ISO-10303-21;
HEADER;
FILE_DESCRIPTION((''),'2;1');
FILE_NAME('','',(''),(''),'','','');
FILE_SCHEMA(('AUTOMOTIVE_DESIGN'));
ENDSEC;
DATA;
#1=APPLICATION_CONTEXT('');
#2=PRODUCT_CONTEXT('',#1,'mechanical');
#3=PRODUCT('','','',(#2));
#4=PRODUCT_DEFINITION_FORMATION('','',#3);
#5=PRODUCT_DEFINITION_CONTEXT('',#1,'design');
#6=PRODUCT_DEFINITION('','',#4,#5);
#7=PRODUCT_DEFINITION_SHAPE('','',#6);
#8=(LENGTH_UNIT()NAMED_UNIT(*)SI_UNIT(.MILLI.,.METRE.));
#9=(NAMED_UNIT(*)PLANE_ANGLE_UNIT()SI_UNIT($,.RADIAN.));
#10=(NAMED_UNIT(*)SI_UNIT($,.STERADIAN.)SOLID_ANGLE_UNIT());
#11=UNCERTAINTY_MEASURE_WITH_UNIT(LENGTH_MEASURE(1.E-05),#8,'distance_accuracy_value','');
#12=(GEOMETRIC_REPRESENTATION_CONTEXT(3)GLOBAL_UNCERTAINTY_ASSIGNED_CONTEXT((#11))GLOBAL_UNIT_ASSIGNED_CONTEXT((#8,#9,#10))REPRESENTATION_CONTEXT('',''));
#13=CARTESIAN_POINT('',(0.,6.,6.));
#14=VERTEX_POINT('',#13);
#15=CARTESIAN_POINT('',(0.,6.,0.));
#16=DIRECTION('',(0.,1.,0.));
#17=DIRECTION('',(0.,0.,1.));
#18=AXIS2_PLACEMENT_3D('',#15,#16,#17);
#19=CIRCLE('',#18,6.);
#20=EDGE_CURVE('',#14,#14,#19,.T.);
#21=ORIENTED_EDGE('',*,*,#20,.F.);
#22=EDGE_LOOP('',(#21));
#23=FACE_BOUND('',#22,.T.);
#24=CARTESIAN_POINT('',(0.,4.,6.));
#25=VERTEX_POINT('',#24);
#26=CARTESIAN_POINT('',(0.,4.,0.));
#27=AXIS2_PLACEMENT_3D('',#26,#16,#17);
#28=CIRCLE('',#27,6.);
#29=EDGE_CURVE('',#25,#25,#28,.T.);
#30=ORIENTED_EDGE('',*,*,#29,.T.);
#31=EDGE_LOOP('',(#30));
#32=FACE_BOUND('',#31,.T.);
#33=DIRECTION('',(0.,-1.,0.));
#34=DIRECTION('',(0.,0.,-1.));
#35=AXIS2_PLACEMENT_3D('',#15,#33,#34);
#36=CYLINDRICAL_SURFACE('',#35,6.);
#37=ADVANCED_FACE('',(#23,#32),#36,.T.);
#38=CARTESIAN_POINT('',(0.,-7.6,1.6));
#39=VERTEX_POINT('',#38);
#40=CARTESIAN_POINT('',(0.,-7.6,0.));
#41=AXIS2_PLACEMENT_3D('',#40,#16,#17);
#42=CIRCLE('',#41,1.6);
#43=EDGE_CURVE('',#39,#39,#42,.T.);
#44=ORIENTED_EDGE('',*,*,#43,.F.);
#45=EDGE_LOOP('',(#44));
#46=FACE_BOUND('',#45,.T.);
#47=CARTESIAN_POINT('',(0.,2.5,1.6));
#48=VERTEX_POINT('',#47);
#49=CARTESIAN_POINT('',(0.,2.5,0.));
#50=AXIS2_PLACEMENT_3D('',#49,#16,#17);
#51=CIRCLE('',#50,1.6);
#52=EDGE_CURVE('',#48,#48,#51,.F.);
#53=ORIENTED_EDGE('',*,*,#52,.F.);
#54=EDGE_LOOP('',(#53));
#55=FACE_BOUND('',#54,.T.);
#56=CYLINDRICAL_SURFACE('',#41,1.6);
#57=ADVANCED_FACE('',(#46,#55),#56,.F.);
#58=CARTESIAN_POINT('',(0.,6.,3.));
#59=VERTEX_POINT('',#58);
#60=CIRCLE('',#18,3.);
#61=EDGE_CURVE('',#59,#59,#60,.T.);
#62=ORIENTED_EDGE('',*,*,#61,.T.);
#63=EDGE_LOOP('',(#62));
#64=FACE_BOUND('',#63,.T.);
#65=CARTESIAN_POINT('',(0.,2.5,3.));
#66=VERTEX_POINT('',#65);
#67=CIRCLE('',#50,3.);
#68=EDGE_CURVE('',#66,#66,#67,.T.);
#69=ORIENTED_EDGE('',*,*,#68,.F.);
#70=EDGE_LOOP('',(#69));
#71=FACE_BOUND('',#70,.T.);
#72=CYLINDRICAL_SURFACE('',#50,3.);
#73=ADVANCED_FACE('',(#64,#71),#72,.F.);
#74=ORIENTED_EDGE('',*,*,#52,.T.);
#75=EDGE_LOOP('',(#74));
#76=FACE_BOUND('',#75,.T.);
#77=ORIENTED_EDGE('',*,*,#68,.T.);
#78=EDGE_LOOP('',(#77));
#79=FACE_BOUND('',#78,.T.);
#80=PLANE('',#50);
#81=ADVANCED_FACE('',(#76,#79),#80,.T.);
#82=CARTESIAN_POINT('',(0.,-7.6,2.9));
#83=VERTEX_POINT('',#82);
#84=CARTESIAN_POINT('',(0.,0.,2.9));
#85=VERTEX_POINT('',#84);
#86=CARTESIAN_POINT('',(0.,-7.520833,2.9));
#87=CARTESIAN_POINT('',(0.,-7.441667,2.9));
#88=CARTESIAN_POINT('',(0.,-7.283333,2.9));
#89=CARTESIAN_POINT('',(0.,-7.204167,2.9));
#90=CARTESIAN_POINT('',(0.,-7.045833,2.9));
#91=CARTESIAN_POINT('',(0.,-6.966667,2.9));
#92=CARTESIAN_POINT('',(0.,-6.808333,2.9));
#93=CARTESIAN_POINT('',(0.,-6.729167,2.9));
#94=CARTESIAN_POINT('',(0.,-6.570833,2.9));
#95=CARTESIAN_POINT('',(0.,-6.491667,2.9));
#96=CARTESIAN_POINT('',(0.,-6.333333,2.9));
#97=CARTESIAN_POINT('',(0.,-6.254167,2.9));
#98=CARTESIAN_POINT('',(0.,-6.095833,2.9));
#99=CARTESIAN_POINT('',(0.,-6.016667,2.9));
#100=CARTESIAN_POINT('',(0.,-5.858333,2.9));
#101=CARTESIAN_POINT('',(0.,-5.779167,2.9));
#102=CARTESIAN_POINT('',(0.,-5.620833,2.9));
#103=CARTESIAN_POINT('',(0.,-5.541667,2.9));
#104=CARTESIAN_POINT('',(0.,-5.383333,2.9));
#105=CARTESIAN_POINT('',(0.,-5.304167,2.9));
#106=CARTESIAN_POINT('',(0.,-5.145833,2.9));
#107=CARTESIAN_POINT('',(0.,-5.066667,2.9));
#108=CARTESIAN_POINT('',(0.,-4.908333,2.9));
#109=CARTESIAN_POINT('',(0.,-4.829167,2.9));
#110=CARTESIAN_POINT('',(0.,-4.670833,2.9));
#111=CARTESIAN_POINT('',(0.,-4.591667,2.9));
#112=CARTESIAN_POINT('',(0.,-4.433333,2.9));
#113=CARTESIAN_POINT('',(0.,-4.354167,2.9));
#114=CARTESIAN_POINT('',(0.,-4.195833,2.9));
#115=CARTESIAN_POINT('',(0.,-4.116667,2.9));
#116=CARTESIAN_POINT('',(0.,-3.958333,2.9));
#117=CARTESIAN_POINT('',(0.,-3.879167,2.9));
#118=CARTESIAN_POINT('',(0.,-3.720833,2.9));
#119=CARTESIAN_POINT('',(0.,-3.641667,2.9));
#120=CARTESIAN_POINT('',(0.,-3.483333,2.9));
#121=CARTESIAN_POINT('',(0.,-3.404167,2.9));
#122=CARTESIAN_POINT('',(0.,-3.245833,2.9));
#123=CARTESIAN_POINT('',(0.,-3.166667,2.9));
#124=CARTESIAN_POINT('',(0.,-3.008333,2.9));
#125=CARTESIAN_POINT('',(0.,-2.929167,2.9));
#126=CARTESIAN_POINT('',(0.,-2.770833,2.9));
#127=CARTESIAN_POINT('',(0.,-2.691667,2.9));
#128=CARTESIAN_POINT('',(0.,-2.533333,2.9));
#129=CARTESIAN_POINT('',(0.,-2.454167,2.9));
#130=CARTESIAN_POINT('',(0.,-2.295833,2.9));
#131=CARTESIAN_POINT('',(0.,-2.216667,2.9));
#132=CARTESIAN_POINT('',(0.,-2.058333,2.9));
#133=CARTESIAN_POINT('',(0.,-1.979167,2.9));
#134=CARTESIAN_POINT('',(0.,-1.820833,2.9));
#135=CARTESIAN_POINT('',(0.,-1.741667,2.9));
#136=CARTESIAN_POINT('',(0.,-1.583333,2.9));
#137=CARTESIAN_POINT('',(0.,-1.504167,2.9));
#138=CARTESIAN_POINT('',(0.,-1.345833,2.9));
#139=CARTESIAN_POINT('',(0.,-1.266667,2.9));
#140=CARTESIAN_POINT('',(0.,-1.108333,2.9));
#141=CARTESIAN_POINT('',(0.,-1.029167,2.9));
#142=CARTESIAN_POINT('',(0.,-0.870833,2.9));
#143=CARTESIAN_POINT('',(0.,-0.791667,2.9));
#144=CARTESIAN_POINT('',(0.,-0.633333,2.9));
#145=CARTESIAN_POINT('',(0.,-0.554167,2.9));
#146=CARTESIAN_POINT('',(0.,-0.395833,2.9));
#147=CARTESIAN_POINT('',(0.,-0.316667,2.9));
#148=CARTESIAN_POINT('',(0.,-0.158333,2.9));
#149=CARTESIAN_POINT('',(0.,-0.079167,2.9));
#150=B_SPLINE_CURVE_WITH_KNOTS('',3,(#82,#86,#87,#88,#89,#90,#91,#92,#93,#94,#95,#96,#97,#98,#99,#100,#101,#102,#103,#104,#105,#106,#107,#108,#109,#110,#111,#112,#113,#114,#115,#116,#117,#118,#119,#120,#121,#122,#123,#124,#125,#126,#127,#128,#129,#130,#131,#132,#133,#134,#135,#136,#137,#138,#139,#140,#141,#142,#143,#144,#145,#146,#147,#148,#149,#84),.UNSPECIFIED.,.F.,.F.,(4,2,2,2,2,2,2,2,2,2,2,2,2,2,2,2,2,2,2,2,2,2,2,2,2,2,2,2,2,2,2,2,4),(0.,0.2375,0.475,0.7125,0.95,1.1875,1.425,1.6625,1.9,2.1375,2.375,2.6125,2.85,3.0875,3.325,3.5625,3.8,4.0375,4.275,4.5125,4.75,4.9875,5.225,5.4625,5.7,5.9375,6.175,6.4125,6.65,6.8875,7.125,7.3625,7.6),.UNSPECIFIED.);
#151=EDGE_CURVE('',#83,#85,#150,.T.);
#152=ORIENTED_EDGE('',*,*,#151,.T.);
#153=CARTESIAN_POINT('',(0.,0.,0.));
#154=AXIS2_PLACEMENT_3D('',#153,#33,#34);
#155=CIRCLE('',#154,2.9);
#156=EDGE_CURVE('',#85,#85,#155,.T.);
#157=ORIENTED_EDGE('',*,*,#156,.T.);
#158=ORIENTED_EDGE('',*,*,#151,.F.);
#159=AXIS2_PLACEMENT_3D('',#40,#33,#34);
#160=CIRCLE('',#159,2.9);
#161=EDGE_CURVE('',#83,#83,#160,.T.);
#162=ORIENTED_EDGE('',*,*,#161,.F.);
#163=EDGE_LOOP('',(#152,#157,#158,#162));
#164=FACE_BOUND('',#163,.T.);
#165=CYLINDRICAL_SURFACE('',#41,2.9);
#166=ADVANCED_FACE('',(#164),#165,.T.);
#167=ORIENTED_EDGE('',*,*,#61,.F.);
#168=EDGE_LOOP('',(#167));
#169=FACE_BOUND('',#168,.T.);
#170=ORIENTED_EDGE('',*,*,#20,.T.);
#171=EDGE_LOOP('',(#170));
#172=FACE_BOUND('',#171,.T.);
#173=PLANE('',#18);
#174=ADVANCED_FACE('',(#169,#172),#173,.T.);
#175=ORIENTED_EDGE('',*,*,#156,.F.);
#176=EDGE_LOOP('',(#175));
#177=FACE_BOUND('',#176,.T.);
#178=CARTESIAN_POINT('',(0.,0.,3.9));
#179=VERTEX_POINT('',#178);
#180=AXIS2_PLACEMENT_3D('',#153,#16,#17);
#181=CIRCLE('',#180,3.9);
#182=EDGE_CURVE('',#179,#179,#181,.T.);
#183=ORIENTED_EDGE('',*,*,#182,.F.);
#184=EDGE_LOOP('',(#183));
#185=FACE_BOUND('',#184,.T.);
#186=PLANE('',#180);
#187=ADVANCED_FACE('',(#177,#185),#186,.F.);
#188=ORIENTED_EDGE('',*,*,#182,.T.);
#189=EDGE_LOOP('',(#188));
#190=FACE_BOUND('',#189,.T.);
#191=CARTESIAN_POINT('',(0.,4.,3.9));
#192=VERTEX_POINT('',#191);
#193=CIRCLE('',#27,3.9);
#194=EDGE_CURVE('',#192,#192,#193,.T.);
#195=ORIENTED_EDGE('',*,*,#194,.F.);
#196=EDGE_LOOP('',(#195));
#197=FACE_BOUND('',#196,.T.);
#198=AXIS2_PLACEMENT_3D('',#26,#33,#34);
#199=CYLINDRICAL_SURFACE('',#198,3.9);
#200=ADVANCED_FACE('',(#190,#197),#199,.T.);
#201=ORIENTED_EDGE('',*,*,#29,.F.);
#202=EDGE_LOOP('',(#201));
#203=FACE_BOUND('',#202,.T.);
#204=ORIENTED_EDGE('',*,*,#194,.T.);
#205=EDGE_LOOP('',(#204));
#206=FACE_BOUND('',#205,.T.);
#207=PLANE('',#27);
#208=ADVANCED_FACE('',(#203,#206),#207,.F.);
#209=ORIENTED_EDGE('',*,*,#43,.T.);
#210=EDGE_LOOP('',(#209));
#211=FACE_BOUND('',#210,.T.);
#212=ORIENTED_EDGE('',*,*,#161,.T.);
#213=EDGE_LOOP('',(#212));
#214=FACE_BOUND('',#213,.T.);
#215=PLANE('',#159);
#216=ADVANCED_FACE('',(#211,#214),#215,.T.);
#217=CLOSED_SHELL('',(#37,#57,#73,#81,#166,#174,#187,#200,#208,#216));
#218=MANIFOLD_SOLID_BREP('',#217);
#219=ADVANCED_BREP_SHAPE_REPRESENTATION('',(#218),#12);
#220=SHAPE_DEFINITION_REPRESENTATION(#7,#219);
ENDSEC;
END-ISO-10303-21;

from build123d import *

# Parameters (mm, degrees)
SKETCH_1_R          = 3.9
EXTRUDE_1_DEPTH     = 4
SKETCH_2_R          = 6
EXTRUDE_2_DEPTH     = 2
SKETCH_6_R          = 2.9
EXTRUDE_3_DEPTH     = 7.6
SKETCH_3_R          = 1.6
CUT_EXTRUDE_1_DEPTH = 17.029971928
SKETCH_4_R          = 3
CUT_EXTRUDE_2_DEPTH = 3.5


with BuildPart() as part:
    # 草图1 → 凸台-拉伸1 (new body)
    with BuildSketch(Plane(origin=(0, 0, 0), x_dir=(1, 0, 0), z_dir=(0, 1, 0))):
        with Locations(Location((0, 0, 0), (0, 0, 270))):
            Circle(SKETCH_1_R)
    extrude(amount=EXTRUDE_1_DEPTH)

    # 草图2 → 凸台-拉伸2 (add)
    with BuildSketch(Plane(origin=(0, 4, 0), x_dir=(1, 0, 0), z_dir=(0, 1, 0))):
        with Locations(Location((0, 0, 0), (0, 0, 270))):
            Circle(SKETCH_2_R)
    extrude(amount=EXTRUDE_2_DEPTH)

    # 草图6 → 凸台-拉伸3 (add)
    with BuildSketch(Plane.XZ):
        with Locations(Location((0, 0, 0), (0, 0, 90))):
            Circle(SKETCH_6_R)
    extrude(amount=EXTRUDE_3_DEPTH)

    # 草图3 → 切除-拉伸1 (cut, through all)
    with BuildSketch(Plane(origin=(0, 6, 0), x_dir=(1, 0, 0), z_dir=(0, 1, 0))):
        with Locations(Location((0, 0, 0), (0, 0, 270))):
            Circle(SKETCH_3_R)
    extrude(amount=-CUT_EXTRUDE_1_DEPTH, mode=Mode.SUBTRACT)

    # 草图4 → 切除-拉伸2 (cut)
    with BuildSketch(Plane(origin=(0, 6, 0), x_dir=(1, 0, 0), z_dir=(0, 1, 0))):
        with Locations(Location((0, 0, 0), (0, 0, 270))):
            Circle(SKETCH_4_R)
    extrude(amount=-CUT_EXTRUDE_2_DEPTH, mode=Mode.SUBTRACT)


solid = part.part
